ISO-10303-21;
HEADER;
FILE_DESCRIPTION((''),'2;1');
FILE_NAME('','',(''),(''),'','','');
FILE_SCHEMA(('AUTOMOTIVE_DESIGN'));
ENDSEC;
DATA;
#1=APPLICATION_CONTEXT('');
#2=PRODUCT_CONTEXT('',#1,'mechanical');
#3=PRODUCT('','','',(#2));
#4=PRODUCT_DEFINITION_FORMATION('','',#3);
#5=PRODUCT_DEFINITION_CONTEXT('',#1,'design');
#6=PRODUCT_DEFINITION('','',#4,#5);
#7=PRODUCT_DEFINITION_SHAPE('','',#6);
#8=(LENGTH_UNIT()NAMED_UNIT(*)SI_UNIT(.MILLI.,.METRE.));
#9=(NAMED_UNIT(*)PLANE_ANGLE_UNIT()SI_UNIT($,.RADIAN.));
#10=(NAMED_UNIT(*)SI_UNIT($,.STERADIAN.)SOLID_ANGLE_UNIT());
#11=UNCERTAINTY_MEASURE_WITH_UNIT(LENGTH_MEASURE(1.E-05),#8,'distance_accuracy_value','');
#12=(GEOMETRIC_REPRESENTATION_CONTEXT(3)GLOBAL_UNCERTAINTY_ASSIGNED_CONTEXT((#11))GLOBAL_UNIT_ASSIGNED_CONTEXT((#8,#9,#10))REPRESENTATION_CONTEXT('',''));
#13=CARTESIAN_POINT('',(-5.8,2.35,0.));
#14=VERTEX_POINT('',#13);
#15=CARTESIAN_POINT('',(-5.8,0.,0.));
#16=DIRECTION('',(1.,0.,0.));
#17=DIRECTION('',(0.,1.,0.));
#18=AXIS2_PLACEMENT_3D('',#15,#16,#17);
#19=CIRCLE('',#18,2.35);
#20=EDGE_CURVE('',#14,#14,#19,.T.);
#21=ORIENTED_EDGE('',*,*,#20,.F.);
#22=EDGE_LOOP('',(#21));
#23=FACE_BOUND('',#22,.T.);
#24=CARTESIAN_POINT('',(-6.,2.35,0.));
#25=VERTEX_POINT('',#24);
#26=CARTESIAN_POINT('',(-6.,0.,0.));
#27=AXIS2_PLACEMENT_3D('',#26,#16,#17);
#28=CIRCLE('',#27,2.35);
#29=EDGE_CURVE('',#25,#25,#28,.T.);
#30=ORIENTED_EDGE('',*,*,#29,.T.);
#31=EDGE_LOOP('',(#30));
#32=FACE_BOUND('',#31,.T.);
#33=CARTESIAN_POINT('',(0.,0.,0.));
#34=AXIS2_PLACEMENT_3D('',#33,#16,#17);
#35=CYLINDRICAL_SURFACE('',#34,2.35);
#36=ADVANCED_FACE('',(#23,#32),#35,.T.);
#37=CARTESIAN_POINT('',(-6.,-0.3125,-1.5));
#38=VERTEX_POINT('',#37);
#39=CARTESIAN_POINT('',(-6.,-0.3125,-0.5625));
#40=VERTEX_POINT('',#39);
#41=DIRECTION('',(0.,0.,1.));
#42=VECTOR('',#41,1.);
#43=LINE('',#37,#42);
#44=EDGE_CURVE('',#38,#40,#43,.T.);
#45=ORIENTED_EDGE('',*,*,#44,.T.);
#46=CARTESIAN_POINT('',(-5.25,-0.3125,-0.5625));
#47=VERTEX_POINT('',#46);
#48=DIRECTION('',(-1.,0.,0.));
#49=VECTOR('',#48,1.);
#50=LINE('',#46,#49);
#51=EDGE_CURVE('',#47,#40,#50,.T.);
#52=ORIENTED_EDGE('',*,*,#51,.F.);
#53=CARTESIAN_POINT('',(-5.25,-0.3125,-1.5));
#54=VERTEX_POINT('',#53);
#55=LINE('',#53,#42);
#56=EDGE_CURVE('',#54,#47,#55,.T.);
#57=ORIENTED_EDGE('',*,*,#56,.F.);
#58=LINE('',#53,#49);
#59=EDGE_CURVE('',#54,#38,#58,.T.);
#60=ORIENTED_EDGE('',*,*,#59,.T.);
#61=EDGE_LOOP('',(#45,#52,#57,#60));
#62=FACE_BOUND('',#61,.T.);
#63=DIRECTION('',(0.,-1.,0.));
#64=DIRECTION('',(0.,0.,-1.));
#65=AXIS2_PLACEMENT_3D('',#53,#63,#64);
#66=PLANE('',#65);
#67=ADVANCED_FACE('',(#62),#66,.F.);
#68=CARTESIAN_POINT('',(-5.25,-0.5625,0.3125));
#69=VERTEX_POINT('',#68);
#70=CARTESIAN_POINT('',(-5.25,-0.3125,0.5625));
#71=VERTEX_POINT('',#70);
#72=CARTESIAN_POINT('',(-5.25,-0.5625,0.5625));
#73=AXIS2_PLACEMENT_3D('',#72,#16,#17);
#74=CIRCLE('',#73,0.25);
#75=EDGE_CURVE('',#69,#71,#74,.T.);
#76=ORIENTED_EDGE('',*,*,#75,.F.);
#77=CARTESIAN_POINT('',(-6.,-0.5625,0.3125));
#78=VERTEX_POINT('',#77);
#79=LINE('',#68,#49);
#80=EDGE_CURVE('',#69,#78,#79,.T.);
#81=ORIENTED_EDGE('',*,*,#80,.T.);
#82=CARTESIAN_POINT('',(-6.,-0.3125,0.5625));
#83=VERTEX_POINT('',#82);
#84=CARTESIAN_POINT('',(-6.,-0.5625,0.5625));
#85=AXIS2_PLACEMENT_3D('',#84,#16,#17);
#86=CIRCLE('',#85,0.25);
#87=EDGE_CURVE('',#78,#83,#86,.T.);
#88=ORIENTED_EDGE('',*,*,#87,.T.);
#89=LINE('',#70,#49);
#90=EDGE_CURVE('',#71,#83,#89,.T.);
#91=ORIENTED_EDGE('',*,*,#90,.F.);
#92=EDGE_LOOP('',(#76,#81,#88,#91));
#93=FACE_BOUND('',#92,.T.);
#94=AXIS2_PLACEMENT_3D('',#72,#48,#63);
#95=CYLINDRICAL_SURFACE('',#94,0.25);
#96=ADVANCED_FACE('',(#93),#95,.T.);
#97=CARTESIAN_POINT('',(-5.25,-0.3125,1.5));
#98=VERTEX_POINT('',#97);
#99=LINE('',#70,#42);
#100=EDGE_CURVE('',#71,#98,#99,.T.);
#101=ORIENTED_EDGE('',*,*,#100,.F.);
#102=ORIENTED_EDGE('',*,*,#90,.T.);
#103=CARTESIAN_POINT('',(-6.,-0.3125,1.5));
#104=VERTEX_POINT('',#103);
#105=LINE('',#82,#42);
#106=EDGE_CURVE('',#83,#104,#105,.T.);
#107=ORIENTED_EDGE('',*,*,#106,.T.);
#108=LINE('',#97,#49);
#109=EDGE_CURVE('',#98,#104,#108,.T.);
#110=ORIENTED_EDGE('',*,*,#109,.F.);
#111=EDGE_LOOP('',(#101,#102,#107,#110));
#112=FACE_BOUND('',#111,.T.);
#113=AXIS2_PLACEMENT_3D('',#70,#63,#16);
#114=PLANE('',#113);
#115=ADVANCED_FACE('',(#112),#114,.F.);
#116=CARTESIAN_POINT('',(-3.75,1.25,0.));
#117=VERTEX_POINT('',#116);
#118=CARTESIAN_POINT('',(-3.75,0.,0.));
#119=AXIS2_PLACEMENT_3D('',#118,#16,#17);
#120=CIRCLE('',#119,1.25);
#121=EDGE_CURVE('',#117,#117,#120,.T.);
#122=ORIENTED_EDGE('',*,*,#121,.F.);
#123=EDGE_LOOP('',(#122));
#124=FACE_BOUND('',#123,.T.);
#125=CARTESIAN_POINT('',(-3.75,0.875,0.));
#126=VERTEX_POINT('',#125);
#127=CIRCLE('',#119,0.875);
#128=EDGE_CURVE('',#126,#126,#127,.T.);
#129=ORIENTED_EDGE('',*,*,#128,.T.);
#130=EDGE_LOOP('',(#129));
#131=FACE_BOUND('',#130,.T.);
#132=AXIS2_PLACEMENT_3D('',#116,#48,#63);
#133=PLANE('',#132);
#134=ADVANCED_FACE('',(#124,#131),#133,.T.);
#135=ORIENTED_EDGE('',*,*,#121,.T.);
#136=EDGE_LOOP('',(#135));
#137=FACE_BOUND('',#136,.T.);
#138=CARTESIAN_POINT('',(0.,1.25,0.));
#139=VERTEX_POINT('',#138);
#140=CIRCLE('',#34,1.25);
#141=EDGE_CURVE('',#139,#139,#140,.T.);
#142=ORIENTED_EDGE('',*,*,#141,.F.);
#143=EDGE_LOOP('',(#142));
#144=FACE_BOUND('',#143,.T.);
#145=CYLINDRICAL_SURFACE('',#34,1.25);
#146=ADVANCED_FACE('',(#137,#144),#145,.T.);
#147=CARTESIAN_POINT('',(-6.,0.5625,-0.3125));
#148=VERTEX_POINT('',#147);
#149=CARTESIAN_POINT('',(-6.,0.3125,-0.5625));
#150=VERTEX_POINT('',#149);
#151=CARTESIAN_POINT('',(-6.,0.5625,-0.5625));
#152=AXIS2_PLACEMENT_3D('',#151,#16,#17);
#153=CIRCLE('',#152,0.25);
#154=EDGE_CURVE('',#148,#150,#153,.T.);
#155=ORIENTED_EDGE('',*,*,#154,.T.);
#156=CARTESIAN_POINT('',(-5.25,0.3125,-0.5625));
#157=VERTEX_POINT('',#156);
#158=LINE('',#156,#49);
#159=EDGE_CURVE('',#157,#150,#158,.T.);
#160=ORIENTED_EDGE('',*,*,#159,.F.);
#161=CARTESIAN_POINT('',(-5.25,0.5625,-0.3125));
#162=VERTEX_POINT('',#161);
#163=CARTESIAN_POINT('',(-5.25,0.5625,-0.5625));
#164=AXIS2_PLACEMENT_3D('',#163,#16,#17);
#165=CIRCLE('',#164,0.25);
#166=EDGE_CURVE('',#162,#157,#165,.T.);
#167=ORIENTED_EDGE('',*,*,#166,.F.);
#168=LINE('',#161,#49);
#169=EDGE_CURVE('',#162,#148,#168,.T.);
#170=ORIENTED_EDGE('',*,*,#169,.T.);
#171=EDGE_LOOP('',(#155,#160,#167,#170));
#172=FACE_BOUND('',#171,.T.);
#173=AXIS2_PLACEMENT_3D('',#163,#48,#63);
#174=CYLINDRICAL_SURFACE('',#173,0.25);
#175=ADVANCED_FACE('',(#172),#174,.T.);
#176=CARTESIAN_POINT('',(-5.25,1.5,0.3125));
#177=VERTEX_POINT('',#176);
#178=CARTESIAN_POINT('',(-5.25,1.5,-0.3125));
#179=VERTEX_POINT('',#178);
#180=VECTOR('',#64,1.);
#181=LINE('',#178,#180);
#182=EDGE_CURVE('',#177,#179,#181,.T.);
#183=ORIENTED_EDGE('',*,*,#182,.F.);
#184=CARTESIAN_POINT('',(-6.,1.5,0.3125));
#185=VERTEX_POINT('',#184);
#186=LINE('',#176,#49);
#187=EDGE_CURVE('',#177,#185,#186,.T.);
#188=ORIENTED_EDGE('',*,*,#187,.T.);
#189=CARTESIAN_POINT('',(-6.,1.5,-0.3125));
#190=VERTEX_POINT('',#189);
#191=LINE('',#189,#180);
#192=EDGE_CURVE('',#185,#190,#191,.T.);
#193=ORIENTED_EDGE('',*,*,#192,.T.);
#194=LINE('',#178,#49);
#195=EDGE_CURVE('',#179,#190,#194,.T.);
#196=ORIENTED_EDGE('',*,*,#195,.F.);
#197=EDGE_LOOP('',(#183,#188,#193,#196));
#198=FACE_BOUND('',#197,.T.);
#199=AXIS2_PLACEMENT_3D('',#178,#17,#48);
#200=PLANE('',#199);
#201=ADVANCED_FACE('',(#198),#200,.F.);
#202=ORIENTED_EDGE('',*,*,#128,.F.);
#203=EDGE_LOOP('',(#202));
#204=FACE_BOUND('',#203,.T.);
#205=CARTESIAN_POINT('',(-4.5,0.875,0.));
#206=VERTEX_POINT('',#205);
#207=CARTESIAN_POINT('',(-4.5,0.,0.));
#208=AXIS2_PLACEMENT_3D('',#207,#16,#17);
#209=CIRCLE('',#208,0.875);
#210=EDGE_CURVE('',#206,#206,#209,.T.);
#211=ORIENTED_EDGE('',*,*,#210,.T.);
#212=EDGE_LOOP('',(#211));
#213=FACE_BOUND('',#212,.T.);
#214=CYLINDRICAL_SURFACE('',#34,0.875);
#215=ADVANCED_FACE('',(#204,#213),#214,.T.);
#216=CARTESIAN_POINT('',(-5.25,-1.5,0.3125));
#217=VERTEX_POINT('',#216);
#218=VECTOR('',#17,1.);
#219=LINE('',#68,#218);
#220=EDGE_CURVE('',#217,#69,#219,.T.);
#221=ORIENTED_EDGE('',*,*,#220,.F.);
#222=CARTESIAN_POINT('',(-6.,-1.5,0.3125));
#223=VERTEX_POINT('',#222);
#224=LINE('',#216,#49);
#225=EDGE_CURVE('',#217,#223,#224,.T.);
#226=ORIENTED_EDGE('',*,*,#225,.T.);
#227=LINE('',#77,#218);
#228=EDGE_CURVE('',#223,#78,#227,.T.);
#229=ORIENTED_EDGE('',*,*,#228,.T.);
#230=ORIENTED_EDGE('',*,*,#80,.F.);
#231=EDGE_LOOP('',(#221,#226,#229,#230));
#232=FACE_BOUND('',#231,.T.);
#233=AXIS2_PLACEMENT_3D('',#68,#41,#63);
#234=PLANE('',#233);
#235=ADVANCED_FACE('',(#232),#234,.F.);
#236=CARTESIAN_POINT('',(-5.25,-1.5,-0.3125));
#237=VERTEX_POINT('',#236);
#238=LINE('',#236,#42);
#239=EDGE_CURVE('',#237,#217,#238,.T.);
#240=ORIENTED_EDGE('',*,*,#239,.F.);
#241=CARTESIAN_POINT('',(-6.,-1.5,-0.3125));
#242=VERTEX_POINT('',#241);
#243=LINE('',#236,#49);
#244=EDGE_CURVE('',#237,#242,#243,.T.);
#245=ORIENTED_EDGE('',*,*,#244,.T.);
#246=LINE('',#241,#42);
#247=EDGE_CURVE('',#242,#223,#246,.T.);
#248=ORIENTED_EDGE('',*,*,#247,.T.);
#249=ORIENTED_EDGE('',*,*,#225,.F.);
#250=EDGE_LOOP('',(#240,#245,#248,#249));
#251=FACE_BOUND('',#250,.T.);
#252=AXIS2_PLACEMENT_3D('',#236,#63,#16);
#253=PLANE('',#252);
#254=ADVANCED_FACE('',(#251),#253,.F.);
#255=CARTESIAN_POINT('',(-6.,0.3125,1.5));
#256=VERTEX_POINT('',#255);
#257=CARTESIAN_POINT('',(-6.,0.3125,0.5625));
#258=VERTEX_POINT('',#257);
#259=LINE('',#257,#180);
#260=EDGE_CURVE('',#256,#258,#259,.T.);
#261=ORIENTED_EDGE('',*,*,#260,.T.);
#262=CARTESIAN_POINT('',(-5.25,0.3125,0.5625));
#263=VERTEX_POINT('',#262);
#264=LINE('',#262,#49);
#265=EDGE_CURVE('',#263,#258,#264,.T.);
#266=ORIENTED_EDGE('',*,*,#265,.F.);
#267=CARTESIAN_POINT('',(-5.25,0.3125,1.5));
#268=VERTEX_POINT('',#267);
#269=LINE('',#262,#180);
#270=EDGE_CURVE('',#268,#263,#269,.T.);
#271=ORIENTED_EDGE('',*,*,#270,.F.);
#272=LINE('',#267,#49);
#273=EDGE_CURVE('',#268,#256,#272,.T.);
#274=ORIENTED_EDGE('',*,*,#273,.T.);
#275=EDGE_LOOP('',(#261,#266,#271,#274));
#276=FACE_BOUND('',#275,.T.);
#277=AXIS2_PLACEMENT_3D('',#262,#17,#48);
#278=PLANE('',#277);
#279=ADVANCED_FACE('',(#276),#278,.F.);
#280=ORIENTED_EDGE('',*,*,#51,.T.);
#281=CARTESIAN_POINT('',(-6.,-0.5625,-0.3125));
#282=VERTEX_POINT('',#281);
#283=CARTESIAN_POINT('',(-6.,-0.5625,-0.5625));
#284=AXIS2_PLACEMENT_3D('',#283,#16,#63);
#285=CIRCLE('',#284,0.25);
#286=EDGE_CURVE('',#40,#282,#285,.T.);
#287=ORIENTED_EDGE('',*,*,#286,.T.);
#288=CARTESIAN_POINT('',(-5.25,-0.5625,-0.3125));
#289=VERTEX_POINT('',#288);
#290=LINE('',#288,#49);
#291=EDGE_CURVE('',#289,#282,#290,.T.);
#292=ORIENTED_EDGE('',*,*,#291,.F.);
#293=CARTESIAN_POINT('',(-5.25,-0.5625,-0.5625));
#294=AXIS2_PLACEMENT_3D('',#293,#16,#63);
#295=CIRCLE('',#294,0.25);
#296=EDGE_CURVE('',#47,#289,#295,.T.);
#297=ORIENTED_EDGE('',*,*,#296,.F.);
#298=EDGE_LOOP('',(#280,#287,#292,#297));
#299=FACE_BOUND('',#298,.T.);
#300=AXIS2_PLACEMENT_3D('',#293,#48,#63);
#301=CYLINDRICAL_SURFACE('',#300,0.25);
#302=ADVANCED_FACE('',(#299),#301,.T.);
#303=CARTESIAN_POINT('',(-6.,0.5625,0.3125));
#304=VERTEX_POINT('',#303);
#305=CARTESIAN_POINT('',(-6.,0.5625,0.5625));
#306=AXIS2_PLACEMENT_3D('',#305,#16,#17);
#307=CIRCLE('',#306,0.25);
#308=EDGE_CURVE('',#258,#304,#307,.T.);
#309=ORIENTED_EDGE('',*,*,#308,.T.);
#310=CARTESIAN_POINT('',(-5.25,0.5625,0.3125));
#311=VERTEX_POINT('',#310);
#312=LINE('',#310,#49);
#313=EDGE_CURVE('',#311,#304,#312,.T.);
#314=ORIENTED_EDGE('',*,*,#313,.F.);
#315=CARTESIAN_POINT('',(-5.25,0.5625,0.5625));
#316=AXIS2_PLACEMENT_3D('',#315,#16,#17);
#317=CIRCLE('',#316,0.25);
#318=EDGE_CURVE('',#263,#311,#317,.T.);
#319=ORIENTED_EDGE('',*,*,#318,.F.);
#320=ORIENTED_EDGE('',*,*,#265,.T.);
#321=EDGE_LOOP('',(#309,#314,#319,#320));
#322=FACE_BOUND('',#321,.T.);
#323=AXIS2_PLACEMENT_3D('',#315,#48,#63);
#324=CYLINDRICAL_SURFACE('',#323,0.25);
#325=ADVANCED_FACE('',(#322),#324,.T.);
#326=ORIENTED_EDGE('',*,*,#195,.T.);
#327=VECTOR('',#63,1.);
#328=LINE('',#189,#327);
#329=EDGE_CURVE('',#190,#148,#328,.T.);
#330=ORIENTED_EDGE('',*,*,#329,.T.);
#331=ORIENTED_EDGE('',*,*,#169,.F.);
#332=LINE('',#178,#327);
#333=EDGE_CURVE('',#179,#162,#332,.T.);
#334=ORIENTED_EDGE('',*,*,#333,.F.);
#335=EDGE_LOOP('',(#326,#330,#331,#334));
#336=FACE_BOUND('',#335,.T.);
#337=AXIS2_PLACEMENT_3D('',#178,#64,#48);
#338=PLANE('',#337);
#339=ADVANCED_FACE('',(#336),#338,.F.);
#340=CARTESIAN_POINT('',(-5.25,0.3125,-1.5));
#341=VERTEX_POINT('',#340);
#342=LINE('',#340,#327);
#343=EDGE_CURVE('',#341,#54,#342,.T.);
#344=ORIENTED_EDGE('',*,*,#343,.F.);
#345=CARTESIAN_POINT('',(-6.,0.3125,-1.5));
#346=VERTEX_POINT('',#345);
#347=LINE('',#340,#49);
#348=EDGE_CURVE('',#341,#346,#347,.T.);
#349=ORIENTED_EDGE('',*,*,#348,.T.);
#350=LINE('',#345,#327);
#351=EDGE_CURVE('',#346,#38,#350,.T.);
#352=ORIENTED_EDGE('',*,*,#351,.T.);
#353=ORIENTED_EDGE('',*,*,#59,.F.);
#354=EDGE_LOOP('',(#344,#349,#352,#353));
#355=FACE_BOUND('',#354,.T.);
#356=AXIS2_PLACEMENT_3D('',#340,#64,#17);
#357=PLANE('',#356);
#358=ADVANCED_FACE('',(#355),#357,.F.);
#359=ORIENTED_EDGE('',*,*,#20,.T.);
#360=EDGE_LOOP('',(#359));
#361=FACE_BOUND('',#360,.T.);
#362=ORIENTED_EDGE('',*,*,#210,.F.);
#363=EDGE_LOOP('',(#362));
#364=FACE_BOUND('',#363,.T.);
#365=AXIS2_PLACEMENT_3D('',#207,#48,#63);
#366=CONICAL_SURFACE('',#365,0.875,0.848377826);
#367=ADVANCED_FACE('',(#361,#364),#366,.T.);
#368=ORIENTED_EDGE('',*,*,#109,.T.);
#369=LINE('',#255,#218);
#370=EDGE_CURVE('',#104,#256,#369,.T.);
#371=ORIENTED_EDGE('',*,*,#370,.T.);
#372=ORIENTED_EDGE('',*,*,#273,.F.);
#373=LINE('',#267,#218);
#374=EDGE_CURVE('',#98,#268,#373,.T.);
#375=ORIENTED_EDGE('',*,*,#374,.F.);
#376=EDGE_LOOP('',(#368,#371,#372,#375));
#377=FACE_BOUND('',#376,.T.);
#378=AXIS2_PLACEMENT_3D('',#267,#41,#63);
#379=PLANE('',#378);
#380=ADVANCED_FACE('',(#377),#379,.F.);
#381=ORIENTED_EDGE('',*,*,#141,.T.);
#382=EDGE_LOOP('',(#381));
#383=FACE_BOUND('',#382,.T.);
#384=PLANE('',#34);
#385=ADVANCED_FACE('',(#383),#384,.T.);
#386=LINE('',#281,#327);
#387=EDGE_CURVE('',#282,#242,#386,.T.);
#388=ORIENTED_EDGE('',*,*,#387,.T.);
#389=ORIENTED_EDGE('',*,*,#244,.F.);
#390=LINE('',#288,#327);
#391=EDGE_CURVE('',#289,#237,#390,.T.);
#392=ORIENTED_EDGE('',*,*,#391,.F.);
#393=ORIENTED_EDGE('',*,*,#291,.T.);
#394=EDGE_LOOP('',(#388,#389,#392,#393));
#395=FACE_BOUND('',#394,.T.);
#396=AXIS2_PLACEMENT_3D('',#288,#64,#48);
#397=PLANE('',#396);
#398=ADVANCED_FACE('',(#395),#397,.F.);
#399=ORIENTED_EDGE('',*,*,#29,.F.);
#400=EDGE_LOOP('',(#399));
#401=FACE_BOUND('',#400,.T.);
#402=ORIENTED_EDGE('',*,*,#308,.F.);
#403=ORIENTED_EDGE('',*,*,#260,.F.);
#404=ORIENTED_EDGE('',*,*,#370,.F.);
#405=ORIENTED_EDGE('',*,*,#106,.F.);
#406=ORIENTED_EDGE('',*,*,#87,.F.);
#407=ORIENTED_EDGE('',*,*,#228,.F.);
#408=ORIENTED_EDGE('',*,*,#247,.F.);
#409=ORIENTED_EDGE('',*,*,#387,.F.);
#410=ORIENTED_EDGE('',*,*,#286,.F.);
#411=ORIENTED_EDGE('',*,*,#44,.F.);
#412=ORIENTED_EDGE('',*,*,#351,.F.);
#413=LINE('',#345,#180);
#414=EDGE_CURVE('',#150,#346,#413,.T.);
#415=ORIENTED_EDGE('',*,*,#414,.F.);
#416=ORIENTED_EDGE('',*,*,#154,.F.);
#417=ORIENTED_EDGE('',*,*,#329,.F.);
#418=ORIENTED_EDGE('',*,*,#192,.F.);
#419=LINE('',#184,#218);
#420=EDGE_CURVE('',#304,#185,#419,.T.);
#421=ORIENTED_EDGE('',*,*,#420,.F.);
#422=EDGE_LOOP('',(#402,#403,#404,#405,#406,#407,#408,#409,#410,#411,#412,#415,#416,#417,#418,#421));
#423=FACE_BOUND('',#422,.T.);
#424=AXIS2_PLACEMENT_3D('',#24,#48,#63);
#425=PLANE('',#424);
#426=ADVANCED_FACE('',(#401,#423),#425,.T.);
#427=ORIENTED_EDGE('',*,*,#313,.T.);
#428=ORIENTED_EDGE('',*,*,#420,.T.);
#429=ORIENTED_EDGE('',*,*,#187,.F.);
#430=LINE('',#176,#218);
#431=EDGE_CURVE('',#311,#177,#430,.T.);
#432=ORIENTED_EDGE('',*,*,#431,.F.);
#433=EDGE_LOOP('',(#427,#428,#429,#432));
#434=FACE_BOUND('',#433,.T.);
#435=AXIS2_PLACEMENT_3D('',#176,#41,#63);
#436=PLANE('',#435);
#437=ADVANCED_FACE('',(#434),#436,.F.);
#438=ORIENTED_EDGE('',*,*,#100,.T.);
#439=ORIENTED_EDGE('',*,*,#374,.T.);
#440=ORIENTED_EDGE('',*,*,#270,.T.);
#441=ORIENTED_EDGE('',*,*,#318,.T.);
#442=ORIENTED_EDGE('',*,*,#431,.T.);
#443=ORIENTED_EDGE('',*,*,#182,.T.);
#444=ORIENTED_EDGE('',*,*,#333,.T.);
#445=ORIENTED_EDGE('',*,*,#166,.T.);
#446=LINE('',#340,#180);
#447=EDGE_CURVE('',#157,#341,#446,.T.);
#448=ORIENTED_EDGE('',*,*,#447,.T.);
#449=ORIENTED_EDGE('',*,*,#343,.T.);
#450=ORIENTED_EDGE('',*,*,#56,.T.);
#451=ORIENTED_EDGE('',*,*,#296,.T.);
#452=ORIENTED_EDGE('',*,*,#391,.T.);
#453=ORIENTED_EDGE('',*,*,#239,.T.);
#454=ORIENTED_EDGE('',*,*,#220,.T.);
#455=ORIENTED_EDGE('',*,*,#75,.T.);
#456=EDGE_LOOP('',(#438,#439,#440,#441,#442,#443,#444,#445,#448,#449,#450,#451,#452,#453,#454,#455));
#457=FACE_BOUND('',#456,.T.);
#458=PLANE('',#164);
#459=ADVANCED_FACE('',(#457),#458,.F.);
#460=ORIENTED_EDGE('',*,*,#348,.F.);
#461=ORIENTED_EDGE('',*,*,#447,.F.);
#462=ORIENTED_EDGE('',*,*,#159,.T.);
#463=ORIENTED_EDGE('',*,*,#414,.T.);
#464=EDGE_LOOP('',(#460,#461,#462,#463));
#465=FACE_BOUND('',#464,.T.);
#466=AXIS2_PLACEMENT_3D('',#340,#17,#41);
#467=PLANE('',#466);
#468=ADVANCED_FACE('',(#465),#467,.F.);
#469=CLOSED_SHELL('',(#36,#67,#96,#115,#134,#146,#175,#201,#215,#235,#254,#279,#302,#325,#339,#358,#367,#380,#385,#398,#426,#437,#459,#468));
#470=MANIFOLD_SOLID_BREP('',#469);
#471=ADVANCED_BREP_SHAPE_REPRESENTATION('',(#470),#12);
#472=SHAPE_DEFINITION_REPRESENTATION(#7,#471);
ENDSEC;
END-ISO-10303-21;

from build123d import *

# Parameters (mm, degrees)
CUT_EXTRUDE_1_DEPTH = 0.75


with BuildPart() as part:
    # 草图1 → 旋转1 (revolve)
    with BuildSketch(Plane.XY):
        Polygon((0, 0), (0, 1.25), (-3.75, 1.25), (-3.75, 0.875), (-4.5, 0.875), (-5.8, 2.35), (-6, 2.35), (-6, 0), align=None)
    revolve(axis=Axis((0, 0, 0), (-1, 0, 0)))

    # 草图2 → 切除-拉伸1 (cut)
    with BuildSketch(Plane.ZY.offset(6)):
        with BuildLine():
            Line((-0.3125, 1.5), (0.3125, 1.5))
            Line((0.3125, 1.5), (0.3125, 0.5625))
            ThreePointArc((0.3125, 0.5625), (0.385723305, 0.385723305), (0.5625, 0.3125))
            Line((0.5625, 0.3125), (1.5, 0.3125))
            Line((1.5, 0.3125), (1.5, -0.3125))
            Line((1.5, -0.3125), (0.5625, -0.3125))
            ThreePointArc((0.5625, -0.3125), (0.385723305, -0.385723305), (0.3125, -0.5625))
            Line((0.3125, -0.5625), (0.3125, -1.5))
            Line((0.3125, -1.5), (-0.3125, -1.5))
            Line((-0.3125, -1.5), (-0.3125, -0.5625))
            ThreePointArc((-0.3125, -0.5625), (-0.385723305, -0.385723305), (-0.5625, -0.3125))
            Line((-0.5625, -0.3125), (-1.5, -0.3125))
            Line((-1.5, -0.3125), (-1.5, 0.3125))
            Line((-1.5, 0.3125), (-0.5625, 0.3125))
            ThreePointArc((-0.5625, 0.3125), (-0.385723305, 0.385723305), (-0.3125, 0.5625))
            Line((-0.3125, 0.5625), (-0.3125, 1.5))
        make_face()
    extrude(amount=-CUT_EXTRUDE_1_DEPTH, mode=Mode.SUBTRACT)


solid = part.part
